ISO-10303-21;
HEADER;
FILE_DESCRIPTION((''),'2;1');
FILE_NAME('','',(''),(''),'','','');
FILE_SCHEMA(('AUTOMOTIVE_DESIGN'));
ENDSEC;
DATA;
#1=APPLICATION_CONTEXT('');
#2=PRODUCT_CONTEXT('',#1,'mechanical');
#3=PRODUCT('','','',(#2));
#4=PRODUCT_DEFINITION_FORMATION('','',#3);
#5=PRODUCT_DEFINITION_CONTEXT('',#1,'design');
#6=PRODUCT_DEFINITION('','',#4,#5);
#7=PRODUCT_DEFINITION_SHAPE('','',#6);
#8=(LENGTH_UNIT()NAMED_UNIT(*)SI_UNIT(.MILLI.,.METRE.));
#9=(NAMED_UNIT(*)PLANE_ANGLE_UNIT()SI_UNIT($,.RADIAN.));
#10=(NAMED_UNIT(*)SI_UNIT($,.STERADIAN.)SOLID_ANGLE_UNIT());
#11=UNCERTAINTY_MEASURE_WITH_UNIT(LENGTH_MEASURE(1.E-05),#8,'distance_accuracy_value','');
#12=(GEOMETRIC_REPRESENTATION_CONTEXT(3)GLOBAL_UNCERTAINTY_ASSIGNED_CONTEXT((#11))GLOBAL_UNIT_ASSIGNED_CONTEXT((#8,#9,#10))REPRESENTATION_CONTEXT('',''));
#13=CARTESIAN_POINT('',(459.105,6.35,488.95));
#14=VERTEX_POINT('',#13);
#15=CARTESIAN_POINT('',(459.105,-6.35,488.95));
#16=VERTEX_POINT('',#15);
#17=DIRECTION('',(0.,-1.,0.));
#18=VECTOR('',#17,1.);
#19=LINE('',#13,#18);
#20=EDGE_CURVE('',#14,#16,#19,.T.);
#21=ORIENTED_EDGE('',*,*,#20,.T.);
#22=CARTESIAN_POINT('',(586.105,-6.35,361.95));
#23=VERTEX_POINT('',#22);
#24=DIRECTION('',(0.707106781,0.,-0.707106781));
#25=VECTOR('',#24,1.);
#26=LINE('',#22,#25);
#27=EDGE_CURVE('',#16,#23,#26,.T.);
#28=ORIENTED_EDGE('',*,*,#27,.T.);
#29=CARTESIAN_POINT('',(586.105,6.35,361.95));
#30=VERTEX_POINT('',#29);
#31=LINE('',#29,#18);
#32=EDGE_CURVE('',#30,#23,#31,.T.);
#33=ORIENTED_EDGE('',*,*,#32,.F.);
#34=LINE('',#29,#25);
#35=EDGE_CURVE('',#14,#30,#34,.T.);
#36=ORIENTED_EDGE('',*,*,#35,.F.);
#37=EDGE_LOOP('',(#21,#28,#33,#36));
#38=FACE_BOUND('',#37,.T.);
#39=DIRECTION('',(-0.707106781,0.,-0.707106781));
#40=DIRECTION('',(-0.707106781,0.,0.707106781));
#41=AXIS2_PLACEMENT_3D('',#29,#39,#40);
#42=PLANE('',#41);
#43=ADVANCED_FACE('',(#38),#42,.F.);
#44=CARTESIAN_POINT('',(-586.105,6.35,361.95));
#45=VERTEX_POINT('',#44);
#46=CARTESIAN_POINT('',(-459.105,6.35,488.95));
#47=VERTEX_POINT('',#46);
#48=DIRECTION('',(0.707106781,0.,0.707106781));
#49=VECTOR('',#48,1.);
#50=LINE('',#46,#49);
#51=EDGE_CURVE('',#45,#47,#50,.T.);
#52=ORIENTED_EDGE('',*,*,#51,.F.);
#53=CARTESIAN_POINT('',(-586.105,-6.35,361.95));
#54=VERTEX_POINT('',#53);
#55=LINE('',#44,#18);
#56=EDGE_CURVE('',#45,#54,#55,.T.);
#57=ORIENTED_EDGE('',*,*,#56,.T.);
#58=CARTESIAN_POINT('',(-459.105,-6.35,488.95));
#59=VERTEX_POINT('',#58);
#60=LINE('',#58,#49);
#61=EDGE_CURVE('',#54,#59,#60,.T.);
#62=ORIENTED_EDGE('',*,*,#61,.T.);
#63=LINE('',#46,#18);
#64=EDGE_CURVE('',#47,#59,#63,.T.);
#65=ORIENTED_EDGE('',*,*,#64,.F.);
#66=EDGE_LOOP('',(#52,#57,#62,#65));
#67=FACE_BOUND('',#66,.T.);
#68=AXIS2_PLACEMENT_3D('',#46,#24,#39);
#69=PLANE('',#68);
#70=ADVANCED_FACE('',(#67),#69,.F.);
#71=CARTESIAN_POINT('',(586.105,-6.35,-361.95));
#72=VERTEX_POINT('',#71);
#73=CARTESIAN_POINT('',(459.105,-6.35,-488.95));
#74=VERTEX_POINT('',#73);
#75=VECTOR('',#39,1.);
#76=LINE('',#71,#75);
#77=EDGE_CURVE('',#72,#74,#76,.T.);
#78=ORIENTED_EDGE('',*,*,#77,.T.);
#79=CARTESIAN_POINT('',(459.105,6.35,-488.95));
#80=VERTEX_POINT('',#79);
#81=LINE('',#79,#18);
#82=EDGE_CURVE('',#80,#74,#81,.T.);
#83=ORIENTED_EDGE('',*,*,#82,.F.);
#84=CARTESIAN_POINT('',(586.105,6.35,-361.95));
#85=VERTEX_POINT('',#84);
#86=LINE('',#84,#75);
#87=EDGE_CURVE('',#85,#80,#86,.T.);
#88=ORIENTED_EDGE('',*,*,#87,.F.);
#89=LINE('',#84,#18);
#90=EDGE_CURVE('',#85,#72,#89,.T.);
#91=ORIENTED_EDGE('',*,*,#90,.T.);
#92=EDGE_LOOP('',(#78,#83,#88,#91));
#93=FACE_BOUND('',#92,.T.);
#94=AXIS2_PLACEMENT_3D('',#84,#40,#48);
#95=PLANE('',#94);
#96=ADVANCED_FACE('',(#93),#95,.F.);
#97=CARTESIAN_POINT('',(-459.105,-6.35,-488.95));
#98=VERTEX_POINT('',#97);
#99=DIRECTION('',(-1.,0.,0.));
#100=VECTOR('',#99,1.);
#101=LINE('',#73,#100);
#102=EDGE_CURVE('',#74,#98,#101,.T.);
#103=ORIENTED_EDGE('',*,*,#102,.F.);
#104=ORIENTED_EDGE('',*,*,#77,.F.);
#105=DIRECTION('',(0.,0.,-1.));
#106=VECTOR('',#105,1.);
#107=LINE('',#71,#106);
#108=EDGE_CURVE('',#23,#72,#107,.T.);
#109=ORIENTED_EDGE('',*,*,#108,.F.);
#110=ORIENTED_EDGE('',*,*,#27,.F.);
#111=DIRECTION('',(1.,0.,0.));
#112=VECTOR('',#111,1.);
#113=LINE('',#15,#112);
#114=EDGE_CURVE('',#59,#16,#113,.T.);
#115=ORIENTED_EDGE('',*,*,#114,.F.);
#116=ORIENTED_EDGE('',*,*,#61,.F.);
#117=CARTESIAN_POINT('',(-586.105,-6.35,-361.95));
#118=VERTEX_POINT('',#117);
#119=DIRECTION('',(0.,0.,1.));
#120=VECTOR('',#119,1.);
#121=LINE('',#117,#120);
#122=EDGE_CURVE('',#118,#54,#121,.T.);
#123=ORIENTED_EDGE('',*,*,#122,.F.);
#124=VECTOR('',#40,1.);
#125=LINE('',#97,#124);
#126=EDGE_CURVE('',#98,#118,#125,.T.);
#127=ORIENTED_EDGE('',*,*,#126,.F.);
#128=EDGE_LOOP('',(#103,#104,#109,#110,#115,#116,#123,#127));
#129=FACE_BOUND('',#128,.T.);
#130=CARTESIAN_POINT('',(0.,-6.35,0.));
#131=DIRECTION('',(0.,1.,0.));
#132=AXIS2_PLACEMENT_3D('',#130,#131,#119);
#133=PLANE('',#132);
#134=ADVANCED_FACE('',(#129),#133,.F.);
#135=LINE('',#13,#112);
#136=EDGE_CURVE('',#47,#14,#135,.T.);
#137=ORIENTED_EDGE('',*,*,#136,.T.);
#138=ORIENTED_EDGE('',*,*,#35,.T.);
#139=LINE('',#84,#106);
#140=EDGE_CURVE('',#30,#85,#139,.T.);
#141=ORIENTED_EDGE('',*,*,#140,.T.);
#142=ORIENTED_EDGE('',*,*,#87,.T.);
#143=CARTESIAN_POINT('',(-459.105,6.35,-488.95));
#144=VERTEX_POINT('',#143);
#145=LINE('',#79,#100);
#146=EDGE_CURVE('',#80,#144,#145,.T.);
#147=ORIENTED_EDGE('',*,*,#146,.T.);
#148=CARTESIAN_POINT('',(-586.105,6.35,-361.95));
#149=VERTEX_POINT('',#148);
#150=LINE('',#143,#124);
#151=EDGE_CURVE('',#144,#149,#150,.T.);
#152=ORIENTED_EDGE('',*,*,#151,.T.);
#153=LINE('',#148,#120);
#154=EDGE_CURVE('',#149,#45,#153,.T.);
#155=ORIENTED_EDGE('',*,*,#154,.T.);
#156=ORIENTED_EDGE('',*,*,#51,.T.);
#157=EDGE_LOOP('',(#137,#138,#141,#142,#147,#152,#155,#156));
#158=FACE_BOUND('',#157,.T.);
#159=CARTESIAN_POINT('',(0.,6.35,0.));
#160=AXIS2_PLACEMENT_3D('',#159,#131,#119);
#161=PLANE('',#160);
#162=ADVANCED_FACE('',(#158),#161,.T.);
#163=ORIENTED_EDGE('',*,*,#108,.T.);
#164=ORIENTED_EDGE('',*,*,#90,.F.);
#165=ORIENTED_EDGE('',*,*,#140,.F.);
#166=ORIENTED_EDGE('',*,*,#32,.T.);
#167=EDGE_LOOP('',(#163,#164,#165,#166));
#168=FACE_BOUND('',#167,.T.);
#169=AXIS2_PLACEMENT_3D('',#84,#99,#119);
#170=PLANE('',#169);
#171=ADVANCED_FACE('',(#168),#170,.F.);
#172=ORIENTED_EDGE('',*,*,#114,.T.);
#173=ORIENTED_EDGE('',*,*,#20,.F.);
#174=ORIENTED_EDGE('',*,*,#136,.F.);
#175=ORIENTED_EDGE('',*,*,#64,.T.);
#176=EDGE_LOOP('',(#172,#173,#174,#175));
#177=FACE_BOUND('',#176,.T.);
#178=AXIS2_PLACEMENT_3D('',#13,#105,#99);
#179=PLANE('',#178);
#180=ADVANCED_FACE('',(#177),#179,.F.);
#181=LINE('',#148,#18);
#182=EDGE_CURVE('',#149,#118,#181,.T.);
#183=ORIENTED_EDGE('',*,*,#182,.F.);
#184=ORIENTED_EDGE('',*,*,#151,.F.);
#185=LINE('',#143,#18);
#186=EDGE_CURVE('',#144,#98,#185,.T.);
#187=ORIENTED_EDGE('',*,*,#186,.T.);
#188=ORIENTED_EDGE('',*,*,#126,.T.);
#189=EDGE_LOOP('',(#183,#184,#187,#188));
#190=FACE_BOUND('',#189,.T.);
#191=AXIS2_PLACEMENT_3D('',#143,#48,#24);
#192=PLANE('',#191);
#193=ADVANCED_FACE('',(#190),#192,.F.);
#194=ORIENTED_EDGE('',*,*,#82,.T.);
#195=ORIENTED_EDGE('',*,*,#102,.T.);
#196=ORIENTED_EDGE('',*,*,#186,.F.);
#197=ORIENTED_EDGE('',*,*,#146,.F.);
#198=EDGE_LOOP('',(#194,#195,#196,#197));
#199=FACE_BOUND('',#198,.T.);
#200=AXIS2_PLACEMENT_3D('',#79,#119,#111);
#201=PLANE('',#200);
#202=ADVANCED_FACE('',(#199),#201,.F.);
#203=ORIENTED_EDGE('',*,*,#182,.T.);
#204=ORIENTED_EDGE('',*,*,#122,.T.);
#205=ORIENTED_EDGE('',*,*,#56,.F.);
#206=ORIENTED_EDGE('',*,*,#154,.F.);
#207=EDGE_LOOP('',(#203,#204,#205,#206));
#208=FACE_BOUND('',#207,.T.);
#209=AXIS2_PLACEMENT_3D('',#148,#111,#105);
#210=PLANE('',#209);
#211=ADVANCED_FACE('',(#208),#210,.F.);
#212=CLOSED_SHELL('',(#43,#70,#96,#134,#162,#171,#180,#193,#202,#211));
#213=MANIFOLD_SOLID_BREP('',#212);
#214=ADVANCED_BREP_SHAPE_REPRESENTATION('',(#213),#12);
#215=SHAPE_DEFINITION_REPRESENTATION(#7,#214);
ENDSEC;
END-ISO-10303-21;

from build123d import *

# Parameters (mm, degrees)
BOSS_EXTRUDE1_DEPTH = 6.35


with BuildPart() as part:
    # Sketch1 → Boss-Extrude1 (new body, symmetric)
    with BuildSketch(Plane(origin=(0, 0, 0), x_dir=(1, 0, 0), z_dir=(0, 1, 0))):
        Polygon((-459.105, 488.95), (-586.105, 361.95), (-586.105, -361.95), (-459.105, -488.95), (459.105, -488.95), (586.105, -361.95), (586.105, 361.95), (459.105, 488.95), align=None)
    extrude(amount=BOSS_EXTRUDE1_DEPTH, both=True)


solid = part.part
